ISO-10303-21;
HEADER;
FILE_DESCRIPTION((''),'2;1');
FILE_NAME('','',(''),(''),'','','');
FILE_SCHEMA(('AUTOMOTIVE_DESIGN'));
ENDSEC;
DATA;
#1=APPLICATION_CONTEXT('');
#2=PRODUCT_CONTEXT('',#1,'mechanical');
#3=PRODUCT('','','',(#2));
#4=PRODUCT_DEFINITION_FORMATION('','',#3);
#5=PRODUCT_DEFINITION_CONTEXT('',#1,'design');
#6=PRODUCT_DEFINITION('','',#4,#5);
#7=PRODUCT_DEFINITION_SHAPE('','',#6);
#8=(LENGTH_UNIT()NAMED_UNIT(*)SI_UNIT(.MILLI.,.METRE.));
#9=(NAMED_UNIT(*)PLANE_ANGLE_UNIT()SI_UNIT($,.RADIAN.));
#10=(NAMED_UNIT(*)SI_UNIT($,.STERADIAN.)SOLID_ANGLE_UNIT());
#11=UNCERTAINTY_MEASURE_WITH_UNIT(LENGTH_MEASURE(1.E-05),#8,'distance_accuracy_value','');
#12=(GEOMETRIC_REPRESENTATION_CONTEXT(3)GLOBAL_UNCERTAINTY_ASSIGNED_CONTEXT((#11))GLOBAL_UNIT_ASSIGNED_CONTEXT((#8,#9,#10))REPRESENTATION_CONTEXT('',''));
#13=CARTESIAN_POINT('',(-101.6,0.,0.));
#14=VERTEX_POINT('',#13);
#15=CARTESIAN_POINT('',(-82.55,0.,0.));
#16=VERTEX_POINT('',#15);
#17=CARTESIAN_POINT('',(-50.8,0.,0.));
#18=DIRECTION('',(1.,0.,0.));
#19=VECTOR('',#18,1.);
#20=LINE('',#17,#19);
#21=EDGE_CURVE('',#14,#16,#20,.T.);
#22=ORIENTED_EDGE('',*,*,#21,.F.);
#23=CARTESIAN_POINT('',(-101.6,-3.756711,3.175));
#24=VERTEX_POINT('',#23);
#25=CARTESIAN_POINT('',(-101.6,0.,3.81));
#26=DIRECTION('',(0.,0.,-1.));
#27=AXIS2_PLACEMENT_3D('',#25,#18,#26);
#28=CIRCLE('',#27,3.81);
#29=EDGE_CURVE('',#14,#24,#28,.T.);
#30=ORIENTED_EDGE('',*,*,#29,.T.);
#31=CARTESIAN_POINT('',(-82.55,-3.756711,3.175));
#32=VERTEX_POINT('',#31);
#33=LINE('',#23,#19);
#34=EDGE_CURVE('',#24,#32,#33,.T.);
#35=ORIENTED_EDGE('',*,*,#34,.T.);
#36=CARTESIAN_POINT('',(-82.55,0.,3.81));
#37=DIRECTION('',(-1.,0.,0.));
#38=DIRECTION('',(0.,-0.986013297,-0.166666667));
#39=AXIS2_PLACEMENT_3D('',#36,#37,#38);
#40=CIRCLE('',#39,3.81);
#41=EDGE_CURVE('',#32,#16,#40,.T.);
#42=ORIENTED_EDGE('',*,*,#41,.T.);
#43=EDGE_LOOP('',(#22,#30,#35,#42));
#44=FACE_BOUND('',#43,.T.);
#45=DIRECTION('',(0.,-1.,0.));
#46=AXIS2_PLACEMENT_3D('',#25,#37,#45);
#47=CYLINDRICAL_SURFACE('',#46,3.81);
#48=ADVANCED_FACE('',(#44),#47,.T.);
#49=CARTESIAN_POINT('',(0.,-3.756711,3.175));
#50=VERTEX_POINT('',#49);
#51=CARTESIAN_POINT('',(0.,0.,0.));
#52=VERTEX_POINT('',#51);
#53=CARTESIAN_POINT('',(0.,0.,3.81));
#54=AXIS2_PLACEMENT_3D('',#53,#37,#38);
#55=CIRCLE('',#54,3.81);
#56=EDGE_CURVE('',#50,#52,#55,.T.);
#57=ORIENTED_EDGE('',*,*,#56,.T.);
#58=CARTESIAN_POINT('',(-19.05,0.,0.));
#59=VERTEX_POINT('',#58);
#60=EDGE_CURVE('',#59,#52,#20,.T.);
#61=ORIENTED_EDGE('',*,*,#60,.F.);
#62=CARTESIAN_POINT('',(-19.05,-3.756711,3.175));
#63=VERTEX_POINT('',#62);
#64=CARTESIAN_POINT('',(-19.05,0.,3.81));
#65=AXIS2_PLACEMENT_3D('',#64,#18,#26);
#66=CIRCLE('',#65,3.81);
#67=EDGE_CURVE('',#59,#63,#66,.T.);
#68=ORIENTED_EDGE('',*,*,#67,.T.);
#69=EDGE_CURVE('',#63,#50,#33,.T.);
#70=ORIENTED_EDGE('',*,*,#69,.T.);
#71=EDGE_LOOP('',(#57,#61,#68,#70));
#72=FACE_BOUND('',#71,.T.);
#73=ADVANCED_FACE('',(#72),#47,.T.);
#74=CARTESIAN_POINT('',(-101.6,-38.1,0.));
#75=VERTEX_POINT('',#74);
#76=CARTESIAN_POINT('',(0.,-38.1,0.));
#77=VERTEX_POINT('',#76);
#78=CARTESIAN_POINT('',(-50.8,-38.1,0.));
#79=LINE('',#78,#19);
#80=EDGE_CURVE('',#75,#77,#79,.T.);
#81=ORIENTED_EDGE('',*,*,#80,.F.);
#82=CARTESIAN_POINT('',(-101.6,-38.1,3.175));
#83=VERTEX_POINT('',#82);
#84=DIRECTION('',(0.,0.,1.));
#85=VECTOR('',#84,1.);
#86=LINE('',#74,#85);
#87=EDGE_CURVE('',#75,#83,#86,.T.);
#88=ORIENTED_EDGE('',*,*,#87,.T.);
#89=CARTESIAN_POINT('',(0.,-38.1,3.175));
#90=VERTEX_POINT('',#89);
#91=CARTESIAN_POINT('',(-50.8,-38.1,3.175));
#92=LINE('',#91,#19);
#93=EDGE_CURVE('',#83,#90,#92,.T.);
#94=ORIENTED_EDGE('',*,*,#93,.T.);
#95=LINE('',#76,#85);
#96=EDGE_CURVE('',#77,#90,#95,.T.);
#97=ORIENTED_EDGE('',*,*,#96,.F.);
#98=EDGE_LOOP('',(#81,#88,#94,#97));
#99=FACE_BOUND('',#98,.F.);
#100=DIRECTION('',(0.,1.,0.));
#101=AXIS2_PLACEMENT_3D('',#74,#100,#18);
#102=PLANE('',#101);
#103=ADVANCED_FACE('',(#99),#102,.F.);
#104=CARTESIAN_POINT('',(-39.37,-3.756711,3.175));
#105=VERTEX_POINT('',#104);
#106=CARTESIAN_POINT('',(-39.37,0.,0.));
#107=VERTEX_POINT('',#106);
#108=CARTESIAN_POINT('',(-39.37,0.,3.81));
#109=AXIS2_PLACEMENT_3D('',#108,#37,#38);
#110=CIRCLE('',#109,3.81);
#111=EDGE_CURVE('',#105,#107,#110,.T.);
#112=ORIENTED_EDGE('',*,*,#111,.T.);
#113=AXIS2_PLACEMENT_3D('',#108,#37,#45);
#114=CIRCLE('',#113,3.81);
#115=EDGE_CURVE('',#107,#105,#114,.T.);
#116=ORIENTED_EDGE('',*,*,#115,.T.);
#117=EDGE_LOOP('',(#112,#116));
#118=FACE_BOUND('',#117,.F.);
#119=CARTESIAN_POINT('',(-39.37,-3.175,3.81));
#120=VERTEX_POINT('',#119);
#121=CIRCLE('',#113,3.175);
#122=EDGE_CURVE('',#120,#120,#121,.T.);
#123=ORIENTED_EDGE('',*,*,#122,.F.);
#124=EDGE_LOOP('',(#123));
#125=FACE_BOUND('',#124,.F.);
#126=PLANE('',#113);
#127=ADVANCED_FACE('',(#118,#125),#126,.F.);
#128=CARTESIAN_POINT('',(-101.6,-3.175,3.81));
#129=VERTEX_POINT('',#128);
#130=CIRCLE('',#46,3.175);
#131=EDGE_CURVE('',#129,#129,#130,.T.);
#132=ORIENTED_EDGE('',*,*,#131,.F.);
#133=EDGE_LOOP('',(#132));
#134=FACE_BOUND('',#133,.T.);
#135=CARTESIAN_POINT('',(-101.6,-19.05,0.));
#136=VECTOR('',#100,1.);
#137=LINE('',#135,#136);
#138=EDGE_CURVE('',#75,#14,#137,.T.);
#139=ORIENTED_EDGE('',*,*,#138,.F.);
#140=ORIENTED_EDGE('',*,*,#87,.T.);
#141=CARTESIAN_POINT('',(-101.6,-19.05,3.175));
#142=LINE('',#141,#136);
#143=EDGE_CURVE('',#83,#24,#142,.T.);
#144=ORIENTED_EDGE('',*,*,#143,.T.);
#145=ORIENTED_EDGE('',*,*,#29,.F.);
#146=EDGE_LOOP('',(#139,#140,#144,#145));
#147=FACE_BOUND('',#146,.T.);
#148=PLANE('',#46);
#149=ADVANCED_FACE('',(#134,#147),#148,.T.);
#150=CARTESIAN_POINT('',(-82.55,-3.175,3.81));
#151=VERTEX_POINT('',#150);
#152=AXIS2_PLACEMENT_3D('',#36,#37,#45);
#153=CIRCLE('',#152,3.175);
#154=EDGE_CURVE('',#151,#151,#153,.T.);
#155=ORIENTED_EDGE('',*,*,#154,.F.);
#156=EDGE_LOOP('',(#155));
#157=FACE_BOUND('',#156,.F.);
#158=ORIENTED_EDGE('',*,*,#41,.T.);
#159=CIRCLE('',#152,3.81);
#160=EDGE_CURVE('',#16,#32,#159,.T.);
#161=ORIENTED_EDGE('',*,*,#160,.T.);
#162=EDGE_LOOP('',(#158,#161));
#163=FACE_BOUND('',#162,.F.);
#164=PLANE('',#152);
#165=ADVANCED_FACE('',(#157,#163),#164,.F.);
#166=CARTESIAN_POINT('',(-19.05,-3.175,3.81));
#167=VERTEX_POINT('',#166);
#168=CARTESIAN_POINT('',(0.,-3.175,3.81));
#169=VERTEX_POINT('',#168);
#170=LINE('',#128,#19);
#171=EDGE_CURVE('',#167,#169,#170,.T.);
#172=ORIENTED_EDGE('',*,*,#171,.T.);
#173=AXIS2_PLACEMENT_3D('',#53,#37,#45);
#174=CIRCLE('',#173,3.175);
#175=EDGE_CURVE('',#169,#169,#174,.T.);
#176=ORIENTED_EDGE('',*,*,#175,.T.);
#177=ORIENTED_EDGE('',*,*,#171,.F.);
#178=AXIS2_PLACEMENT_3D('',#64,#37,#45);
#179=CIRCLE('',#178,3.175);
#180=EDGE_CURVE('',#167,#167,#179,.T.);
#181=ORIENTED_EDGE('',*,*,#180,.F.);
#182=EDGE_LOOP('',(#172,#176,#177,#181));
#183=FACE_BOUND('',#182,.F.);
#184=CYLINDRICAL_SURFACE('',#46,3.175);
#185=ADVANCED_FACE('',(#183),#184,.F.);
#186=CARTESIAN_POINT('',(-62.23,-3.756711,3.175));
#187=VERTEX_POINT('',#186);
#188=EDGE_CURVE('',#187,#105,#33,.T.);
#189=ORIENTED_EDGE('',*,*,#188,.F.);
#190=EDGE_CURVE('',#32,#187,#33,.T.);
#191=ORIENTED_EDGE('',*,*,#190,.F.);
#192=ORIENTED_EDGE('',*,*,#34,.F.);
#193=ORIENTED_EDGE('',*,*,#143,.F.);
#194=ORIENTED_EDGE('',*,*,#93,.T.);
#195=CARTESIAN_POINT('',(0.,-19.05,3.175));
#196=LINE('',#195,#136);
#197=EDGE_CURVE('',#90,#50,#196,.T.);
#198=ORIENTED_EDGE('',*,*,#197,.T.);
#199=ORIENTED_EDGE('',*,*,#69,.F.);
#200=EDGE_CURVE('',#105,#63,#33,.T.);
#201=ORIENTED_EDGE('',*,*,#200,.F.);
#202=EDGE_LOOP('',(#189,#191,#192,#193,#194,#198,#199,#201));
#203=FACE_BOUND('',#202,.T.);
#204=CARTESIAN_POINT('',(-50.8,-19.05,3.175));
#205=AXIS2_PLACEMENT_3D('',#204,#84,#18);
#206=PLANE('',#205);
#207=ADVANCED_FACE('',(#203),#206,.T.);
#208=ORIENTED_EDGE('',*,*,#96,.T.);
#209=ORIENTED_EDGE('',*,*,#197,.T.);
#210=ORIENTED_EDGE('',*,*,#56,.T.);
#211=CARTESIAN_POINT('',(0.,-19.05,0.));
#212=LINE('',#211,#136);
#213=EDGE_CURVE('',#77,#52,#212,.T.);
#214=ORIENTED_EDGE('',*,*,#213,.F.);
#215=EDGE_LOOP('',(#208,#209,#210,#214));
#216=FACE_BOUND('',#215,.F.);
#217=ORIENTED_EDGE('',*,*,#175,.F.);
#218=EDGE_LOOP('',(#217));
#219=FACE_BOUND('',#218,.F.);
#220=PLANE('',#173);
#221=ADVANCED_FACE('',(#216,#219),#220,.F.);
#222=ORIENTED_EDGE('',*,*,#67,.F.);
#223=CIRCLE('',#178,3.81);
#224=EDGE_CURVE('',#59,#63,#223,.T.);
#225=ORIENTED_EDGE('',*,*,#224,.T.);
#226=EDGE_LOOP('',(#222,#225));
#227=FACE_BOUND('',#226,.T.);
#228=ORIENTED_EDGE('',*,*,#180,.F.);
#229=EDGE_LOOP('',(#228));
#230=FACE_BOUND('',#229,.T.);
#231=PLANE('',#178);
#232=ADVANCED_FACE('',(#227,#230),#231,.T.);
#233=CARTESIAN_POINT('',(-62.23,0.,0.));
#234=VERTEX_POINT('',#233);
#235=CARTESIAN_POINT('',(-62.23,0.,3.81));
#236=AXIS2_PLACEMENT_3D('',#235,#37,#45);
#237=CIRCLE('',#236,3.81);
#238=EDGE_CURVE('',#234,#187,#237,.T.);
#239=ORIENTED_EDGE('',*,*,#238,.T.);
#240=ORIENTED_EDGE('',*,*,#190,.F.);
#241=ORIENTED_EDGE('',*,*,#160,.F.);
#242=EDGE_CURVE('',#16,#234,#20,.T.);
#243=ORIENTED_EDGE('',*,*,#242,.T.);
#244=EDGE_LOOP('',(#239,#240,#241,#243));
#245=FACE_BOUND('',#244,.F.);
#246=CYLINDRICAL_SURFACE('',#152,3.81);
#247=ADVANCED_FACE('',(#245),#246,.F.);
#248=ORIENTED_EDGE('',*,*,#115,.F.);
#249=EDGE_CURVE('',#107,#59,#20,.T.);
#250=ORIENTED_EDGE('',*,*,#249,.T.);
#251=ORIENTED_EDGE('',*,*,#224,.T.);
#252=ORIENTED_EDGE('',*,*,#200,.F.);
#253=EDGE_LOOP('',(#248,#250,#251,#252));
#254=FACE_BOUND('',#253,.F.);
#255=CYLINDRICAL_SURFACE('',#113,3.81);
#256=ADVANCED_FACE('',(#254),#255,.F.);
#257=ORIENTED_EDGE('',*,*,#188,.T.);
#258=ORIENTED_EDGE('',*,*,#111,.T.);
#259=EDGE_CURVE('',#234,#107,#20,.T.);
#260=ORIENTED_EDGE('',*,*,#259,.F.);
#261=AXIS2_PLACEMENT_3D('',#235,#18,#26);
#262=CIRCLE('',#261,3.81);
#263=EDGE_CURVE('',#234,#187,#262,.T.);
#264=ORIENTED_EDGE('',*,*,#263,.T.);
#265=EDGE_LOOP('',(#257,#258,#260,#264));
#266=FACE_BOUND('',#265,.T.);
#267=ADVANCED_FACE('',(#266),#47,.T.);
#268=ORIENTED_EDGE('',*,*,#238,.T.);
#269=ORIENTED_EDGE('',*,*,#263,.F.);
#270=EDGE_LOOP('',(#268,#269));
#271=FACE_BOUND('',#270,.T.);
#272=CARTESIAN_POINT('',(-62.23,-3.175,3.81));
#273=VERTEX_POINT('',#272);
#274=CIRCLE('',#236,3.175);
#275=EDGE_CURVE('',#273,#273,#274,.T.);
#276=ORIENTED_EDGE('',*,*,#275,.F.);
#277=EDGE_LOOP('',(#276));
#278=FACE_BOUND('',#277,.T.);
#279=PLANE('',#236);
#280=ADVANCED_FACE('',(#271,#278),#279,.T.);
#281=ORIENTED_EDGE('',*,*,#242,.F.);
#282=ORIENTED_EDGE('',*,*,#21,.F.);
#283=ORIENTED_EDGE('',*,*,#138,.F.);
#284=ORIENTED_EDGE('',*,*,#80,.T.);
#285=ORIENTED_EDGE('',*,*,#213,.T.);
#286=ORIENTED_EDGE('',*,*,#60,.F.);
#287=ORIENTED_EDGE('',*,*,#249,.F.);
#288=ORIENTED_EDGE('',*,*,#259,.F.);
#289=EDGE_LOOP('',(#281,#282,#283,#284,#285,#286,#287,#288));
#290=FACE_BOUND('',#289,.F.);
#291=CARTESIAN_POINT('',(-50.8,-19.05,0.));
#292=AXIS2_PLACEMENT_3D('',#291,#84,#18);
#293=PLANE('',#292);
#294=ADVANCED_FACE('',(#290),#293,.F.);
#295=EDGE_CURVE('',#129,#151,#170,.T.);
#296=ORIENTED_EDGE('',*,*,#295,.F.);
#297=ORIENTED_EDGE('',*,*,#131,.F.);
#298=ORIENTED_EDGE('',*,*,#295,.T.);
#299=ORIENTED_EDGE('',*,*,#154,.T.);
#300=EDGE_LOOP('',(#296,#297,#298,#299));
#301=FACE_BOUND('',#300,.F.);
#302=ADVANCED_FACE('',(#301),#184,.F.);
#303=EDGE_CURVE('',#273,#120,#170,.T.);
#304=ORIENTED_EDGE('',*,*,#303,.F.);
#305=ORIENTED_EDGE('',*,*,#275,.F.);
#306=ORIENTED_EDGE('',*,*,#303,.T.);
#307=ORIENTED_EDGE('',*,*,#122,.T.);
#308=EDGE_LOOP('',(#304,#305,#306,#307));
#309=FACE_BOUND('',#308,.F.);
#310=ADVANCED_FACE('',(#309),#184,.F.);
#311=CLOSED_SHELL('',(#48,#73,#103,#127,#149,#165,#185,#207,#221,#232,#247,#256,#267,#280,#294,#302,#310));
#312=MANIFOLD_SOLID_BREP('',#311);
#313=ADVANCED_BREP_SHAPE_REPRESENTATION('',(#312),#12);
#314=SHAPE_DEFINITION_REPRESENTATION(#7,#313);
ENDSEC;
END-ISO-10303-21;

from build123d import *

# Parameters (mm, degrees)
F0_W     = 101.6
F0_H     = 38.1
F1_DEPTH = 3.175
F3_DEPTH = 254
F2_R     = 3.81
F2_R_2   = 3.175
F4_DEPTH = 101.6
F5_START = -19.05
F5_DEPTH = 20.32
F6_START = -62.23
F6_DEPTH = 20.32


with BuildPart() as f1:
    # F0 (on Top) → F1 (new body)
    with BuildSketch(Plane.XY):
        with Locations((-50.8, -19.05)):
            Rectangle(F0_W, F0_H)
    extrude(amount=F1_DEPTH)

    # F2 (on face) → F3 (cut)
    with BuildSketch(Plane(origin=(-101.6, 0, 0), x_dir=(0, -1, 0), z_dir=(-1, 0, 0))):
        with BuildLine():
            ThreePointArc((3.7567106623, 3.175), (3.7966542918, 3.4913839483), (3.81, 3.81))
            ThreePointArc((3.81, 3.81), (-2.6940768363, 6.5040768363), (0, 0))
            Line((0, 0), (0, 0.635))
            ThreePointArc((0, 0.635), (-2.2450640303, 6.0550640303), (3.175, 3.81))
            ThreePointArc((3.175, 3.81), (3.1589222858, 3.4908840456), (3.1108519733, 3.175))
            Line((3.1108519733, 3.175), (3.7567106623, 3.175))
        make_face()
        with BuildLine():
            Line((0, 0.635), (0, 0))
            ThreePointArc((0, 0), (2.4593444248, 0.9000644337), (3.7567106623, 3.175))
            Line((3.7567106623, 3.175), (3.1108519733, 3.175))
            ThreePointArc((3.1108519733, 3.175), (2.0080463142, 1.3506555752), (0, 0.635))
        make_face()
        with BuildLine():
            Line((0, 3.175), (0, 0.635))
            ThreePointArc((0, 0.635), (2.0080463142, 1.3506555752), (3.1108519733, 3.175))
            Line((3.1108519733, 3.175), (0, 3.175))
        make_face()
    extrude(amount=-F3_DEPTH, mode=Mode.SUBTRACT)

    # F2 (on face) → F4 (join, through all)
    with BuildSketch(Plane(origin=(-101.6, 0, 0), x_dir=(0, -1, 0), z_dir=(-1, 0, 0))):
        with Locations((0, 3.81)):
            Circle(F2_R)
        with Locations((0, 3.81)):
            Circle(F2_R_2, mode=Mode.SUBTRACT)
    extrude(amount=-F4_DEPTH)

    # F2 (on face) → F5 (cut)
    with BuildSketch(Plane(origin=(-101.6, 0, 0), x_dir=(0, -1, 0), z_dir=(-1, 0, 0)).offset(F5_START)):
        with Locations((0, 3.81)):
            Circle(F2_R)
        with Locations((0, 3.81)):
            Circle(F2_R_2, mode=Mode.SUBTRACT)
    extrude(amount=-F5_DEPTH, mode=Mode.SUBTRACT)

    # F2 (on face) → F6 (cut)
    with BuildSketch(Plane(origin=(-101.6, 0, 0), x_dir=(0, -1, 0), z_dir=(-1, 0, 0)).offset(F6_START)):
        with Locations((0, 3.81)):
            Circle(F2_R)
        with Locations((0, 3.81)):
            Circle(F2_R_2, mode=Mode.SUBTRACT)
    extrude(amount=-F6_DEPTH, mode=Mode.SUBTRACT)


solid = f1.part
